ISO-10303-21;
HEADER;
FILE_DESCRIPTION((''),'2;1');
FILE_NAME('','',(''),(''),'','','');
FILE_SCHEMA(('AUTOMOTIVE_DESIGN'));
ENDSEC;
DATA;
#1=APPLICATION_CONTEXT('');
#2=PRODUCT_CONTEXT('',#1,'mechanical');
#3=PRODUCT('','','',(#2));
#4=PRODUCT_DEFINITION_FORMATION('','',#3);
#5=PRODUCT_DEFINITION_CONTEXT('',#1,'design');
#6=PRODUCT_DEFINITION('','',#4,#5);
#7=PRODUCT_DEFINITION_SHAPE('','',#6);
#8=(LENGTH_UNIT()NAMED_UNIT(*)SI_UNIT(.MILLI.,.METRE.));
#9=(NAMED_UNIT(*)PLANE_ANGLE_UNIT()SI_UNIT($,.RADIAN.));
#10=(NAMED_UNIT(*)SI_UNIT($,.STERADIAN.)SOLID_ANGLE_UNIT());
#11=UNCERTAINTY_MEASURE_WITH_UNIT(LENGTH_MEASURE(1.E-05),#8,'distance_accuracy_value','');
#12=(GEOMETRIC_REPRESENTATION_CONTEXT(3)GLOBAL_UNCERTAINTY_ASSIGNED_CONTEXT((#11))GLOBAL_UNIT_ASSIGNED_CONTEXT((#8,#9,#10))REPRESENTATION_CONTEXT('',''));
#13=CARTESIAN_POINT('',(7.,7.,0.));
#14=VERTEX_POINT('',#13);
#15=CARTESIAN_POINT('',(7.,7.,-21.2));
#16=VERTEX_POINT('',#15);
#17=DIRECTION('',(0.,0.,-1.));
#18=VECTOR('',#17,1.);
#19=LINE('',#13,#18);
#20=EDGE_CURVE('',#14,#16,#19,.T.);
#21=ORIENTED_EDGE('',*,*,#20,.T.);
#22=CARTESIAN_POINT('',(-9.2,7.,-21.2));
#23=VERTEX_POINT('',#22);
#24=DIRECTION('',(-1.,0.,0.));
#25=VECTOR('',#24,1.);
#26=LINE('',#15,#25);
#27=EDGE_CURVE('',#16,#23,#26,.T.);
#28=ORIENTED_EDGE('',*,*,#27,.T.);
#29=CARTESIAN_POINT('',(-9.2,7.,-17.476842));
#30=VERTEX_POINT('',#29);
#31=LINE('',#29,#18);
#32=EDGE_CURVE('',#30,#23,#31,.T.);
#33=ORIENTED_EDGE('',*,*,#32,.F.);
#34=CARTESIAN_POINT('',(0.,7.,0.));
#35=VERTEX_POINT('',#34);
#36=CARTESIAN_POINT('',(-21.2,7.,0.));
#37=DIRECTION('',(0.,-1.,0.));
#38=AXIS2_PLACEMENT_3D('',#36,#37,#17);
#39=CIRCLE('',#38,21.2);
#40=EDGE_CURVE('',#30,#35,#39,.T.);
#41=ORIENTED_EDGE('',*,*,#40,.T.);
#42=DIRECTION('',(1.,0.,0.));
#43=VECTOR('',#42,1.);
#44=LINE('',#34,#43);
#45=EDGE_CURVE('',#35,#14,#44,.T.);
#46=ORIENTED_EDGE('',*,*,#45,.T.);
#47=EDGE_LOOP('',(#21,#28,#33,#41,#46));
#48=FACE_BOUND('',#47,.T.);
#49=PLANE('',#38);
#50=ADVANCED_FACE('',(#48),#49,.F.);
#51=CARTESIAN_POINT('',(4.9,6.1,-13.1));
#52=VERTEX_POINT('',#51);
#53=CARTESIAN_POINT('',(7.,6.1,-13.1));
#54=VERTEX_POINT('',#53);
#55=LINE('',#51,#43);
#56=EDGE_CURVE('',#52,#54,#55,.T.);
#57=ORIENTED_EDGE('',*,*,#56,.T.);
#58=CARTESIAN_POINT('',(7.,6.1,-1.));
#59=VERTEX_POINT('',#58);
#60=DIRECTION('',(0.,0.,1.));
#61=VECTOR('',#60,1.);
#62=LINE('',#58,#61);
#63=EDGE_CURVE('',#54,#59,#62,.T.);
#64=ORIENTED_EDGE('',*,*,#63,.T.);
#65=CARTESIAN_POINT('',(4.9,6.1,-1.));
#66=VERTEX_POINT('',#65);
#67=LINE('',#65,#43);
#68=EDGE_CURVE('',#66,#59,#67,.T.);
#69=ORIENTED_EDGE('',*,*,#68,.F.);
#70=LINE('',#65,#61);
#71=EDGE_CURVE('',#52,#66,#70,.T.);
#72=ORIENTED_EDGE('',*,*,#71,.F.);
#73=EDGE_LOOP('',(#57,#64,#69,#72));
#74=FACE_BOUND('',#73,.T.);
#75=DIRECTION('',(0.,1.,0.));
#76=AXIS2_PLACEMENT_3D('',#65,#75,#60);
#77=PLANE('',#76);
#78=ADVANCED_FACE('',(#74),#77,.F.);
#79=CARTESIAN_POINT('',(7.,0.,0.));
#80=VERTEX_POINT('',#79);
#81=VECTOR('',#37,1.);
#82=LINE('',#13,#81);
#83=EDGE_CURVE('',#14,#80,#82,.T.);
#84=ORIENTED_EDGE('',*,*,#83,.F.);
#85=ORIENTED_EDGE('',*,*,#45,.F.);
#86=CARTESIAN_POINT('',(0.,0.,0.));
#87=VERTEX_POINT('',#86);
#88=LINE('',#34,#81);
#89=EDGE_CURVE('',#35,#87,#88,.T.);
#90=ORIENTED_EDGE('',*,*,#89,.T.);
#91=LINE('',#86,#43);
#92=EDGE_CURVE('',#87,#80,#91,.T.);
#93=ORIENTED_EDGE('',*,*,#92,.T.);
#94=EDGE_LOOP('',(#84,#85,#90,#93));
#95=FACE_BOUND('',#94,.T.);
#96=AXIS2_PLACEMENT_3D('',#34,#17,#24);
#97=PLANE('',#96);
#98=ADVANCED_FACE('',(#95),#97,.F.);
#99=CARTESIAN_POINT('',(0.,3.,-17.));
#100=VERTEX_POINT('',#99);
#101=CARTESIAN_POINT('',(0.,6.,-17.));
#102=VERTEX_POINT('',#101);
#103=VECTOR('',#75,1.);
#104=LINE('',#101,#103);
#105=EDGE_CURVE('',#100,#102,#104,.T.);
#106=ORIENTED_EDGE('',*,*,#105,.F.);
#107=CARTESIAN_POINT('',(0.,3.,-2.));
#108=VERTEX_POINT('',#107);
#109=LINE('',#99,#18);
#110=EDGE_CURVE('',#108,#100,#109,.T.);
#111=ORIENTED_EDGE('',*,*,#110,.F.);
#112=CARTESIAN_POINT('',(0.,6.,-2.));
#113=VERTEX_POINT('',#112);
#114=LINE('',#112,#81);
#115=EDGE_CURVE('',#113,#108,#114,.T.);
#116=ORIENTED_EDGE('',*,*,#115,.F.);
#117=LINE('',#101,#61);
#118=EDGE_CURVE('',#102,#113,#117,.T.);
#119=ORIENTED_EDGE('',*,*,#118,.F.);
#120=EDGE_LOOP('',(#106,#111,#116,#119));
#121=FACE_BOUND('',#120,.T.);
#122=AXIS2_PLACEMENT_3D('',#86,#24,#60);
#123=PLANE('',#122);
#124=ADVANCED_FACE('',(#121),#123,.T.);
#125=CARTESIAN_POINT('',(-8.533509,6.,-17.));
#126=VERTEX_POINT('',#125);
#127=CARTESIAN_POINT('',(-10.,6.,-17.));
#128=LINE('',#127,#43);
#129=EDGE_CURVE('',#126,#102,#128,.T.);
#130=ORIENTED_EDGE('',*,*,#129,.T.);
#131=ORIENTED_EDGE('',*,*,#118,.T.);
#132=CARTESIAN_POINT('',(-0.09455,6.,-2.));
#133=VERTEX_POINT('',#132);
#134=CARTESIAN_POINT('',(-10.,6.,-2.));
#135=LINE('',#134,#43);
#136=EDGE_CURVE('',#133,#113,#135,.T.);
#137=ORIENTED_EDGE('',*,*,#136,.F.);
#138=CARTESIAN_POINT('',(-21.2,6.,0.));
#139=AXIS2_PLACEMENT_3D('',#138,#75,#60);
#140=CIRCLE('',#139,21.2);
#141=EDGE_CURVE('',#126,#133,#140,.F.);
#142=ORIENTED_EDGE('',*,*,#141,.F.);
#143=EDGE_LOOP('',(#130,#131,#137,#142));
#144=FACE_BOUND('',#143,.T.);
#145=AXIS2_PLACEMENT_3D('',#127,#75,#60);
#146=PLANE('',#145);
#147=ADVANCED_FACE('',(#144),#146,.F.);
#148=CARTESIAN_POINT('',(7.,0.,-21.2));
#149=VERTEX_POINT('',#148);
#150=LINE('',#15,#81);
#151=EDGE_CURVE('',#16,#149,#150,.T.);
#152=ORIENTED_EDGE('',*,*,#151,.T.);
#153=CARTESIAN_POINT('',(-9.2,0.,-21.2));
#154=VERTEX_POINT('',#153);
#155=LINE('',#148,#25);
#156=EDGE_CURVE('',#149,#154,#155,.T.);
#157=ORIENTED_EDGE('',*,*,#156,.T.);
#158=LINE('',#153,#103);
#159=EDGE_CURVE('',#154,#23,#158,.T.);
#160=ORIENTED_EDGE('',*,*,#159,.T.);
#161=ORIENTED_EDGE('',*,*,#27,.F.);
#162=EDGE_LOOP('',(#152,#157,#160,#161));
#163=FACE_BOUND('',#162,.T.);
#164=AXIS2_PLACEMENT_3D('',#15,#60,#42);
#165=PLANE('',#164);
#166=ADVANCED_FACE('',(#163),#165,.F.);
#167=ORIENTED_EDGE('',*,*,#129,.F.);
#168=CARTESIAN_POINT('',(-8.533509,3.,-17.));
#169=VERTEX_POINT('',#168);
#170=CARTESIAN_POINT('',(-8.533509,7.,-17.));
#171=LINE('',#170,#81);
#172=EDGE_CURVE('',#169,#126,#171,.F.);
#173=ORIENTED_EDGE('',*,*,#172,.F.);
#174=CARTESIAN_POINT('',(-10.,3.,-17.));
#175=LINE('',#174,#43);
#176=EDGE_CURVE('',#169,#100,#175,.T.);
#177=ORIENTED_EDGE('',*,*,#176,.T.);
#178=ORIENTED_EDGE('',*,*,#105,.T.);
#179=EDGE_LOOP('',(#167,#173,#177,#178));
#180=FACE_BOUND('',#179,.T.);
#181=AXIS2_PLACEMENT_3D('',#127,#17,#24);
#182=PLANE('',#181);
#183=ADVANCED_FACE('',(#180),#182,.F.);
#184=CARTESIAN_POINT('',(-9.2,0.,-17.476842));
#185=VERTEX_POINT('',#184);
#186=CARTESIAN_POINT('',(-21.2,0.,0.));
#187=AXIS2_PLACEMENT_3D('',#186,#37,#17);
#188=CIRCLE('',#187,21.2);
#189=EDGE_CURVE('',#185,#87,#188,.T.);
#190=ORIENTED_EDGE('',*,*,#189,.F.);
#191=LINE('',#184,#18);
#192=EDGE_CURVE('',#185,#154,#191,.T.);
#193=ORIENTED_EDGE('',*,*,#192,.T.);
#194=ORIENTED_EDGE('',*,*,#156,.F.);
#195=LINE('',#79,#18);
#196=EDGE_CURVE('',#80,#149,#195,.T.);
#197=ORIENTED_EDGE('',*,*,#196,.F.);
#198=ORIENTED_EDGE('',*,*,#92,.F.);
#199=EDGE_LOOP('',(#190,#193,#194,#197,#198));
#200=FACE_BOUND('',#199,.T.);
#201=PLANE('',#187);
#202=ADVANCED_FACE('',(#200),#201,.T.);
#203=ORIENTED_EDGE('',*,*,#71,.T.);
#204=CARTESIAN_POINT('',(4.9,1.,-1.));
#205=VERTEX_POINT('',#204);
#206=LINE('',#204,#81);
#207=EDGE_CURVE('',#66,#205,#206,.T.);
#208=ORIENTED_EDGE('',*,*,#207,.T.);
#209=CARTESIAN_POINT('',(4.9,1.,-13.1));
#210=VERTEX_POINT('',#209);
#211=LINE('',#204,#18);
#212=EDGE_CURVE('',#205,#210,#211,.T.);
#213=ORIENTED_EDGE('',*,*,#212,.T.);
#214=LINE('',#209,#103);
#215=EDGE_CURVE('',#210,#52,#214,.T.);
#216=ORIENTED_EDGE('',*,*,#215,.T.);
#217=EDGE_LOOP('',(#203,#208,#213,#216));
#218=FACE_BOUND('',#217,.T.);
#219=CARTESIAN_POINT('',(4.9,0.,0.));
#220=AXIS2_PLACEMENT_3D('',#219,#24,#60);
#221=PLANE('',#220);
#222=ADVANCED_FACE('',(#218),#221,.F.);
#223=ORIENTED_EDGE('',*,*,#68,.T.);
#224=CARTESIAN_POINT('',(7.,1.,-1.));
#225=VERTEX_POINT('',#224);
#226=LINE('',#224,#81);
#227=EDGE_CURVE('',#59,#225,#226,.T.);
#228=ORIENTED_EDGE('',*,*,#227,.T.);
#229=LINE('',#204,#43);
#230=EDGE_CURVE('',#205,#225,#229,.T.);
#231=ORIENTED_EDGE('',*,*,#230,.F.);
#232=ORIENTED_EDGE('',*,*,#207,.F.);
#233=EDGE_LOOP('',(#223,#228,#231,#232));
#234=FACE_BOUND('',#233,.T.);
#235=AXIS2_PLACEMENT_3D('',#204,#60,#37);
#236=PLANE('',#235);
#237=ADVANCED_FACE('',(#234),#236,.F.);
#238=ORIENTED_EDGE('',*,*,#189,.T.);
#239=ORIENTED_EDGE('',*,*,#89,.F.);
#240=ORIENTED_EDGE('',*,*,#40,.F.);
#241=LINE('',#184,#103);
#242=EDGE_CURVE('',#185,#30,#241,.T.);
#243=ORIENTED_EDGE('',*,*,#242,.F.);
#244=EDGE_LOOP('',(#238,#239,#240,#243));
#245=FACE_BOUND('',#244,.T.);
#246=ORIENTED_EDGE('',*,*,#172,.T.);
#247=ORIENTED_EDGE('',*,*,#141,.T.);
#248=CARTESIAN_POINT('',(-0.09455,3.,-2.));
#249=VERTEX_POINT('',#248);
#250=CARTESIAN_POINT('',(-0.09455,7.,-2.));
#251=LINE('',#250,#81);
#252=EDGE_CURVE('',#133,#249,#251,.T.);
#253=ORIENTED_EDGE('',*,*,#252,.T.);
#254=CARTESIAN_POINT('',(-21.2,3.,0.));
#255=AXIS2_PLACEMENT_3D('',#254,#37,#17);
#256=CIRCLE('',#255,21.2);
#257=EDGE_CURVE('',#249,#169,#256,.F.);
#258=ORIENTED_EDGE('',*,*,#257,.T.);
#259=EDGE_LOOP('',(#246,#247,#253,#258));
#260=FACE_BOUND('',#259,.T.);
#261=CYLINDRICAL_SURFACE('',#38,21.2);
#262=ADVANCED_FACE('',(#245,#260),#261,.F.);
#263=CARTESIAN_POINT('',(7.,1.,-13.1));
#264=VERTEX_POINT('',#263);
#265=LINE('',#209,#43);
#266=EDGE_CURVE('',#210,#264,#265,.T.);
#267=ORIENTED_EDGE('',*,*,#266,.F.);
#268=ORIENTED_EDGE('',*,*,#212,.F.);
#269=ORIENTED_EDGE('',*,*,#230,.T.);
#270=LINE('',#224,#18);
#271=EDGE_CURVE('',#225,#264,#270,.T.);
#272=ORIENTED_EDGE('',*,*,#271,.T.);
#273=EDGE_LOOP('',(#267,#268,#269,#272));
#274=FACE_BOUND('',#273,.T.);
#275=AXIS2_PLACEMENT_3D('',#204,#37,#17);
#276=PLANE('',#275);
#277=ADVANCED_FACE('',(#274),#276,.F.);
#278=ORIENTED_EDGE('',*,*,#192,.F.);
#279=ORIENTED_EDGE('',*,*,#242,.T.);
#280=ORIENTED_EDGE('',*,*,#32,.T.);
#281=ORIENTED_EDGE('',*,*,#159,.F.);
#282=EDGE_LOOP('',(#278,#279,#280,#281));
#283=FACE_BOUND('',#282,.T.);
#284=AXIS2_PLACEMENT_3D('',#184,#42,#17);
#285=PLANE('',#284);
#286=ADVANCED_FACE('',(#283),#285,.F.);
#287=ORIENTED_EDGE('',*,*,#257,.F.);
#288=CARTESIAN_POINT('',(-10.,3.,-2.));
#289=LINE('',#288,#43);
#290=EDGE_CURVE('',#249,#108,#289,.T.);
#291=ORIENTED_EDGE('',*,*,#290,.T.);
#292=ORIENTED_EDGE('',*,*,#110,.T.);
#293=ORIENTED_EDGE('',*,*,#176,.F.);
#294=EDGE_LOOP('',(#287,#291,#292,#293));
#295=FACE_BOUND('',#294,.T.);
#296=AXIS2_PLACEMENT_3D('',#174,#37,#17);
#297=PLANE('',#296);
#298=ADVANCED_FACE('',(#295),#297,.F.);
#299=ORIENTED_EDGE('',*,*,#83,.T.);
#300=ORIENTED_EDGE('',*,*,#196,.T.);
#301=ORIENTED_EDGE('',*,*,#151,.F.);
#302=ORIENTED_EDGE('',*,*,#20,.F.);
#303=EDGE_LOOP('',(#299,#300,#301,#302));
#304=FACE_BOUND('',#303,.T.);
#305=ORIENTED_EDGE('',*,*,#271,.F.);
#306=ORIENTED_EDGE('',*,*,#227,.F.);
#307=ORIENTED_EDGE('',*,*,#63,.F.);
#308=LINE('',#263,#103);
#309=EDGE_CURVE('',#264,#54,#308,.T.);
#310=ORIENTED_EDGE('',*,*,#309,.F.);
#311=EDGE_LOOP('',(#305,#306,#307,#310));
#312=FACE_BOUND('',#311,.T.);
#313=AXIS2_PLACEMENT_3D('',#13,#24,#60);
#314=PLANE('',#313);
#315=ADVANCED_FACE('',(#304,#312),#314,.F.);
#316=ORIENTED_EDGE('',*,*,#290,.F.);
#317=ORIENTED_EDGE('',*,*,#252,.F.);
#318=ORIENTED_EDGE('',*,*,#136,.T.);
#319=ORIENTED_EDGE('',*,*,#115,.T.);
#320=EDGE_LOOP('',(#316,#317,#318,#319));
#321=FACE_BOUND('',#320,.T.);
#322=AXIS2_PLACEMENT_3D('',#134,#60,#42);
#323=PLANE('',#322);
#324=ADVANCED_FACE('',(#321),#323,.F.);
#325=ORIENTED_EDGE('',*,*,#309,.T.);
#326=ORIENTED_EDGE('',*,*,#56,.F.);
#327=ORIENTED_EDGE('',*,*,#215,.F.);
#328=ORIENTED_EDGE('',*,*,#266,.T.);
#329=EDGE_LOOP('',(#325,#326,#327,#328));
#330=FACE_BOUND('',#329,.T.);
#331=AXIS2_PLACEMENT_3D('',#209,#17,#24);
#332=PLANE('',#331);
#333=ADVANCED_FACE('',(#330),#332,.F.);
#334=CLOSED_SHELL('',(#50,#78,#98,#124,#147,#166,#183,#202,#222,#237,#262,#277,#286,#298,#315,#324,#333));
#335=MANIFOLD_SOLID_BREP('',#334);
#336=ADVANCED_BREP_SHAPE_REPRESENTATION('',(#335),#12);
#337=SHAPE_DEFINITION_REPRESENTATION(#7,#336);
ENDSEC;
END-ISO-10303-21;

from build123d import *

# Parameters (mm, degrees)
BOSS_EXTRUDE1_DEPTH = 7
CUT_EXTRUDE1_DEPTH  = 8
SKETCH5_W           = 15
SKETCH5_H           = 3
CUT_EXTRUDE3_DEPTH  = 10
SKETCH6_W           = 12.1
SKETCH6_H           = 5.1
CUT_EXTRUDE4_DEPTH  = 2.1


with BuildPart() as part:
    # Sketch1 → Boss-Extrude1 (new body)
    with BuildSketch(Plane(origin=(0, 0, 0), x_dir=(1, 0, 0), z_dir=(0, 1, 0))):
        with BuildLine():
            Line((7, 21.2), (-21.2, 21.2))
            ThreePointArc((-21.2, 21.2), (-6.209336239, 14.990663761), (0, 0))
            Line((0, 0), (7, 0))
            Line((7, 0), (7, 21.2))
        make_face()
    extrude(amount=BOSS_EXTRUDE1_DEPTH)

    # Sketch2 → Cut-Extrude1 (cut, through all)
    with BuildSketch(Plane(origin=(0, 7, 0), x_dir=(1, 0, 0), z_dir=(0, 1, 0))):
        with BuildLine():
            Line((-9.2, 17.47684182), (-9.2, 21.2))
            Line((-9.2, 21.2), (-21.2, 21.2))
            ThreePointArc((-21.2, 21.2), (-14.917844581, 20.247827619), (-9.2, 17.47684182))
        make_face()
    extrude(amount=-CUT_EXTRUDE1_DEPTH, mode=Mode.SUBTRACT)

    # Sketch5 → Cut-Extrude3 (cut)
    with BuildSketch(Plane(origin=(0, 0, 0), x_dir=(0, 0, -1), z_dir=(1, 0, 0))):
        with Locations((9.5, 4.5)):
            Rectangle(SKETCH5_W, SKETCH5_H)
    extrude(amount=-CUT_EXTRUDE3_DEPTH, mode=Mode.SUBTRACT)

    # Sketch6 → Cut-Extrude4 (cut)
    with BuildSketch(Plane(origin=(7, 0, 0), x_dir=(0, 0, -1), z_dir=(1, 0, 0))):
        with Locations((7.05, 3.55)):
            Rectangle(SKETCH6_W, SKETCH6_H)
    extrude(amount=-CUT_EXTRUDE4_DEPTH, mode=Mode.SUBTRACT)


solid = part.part
